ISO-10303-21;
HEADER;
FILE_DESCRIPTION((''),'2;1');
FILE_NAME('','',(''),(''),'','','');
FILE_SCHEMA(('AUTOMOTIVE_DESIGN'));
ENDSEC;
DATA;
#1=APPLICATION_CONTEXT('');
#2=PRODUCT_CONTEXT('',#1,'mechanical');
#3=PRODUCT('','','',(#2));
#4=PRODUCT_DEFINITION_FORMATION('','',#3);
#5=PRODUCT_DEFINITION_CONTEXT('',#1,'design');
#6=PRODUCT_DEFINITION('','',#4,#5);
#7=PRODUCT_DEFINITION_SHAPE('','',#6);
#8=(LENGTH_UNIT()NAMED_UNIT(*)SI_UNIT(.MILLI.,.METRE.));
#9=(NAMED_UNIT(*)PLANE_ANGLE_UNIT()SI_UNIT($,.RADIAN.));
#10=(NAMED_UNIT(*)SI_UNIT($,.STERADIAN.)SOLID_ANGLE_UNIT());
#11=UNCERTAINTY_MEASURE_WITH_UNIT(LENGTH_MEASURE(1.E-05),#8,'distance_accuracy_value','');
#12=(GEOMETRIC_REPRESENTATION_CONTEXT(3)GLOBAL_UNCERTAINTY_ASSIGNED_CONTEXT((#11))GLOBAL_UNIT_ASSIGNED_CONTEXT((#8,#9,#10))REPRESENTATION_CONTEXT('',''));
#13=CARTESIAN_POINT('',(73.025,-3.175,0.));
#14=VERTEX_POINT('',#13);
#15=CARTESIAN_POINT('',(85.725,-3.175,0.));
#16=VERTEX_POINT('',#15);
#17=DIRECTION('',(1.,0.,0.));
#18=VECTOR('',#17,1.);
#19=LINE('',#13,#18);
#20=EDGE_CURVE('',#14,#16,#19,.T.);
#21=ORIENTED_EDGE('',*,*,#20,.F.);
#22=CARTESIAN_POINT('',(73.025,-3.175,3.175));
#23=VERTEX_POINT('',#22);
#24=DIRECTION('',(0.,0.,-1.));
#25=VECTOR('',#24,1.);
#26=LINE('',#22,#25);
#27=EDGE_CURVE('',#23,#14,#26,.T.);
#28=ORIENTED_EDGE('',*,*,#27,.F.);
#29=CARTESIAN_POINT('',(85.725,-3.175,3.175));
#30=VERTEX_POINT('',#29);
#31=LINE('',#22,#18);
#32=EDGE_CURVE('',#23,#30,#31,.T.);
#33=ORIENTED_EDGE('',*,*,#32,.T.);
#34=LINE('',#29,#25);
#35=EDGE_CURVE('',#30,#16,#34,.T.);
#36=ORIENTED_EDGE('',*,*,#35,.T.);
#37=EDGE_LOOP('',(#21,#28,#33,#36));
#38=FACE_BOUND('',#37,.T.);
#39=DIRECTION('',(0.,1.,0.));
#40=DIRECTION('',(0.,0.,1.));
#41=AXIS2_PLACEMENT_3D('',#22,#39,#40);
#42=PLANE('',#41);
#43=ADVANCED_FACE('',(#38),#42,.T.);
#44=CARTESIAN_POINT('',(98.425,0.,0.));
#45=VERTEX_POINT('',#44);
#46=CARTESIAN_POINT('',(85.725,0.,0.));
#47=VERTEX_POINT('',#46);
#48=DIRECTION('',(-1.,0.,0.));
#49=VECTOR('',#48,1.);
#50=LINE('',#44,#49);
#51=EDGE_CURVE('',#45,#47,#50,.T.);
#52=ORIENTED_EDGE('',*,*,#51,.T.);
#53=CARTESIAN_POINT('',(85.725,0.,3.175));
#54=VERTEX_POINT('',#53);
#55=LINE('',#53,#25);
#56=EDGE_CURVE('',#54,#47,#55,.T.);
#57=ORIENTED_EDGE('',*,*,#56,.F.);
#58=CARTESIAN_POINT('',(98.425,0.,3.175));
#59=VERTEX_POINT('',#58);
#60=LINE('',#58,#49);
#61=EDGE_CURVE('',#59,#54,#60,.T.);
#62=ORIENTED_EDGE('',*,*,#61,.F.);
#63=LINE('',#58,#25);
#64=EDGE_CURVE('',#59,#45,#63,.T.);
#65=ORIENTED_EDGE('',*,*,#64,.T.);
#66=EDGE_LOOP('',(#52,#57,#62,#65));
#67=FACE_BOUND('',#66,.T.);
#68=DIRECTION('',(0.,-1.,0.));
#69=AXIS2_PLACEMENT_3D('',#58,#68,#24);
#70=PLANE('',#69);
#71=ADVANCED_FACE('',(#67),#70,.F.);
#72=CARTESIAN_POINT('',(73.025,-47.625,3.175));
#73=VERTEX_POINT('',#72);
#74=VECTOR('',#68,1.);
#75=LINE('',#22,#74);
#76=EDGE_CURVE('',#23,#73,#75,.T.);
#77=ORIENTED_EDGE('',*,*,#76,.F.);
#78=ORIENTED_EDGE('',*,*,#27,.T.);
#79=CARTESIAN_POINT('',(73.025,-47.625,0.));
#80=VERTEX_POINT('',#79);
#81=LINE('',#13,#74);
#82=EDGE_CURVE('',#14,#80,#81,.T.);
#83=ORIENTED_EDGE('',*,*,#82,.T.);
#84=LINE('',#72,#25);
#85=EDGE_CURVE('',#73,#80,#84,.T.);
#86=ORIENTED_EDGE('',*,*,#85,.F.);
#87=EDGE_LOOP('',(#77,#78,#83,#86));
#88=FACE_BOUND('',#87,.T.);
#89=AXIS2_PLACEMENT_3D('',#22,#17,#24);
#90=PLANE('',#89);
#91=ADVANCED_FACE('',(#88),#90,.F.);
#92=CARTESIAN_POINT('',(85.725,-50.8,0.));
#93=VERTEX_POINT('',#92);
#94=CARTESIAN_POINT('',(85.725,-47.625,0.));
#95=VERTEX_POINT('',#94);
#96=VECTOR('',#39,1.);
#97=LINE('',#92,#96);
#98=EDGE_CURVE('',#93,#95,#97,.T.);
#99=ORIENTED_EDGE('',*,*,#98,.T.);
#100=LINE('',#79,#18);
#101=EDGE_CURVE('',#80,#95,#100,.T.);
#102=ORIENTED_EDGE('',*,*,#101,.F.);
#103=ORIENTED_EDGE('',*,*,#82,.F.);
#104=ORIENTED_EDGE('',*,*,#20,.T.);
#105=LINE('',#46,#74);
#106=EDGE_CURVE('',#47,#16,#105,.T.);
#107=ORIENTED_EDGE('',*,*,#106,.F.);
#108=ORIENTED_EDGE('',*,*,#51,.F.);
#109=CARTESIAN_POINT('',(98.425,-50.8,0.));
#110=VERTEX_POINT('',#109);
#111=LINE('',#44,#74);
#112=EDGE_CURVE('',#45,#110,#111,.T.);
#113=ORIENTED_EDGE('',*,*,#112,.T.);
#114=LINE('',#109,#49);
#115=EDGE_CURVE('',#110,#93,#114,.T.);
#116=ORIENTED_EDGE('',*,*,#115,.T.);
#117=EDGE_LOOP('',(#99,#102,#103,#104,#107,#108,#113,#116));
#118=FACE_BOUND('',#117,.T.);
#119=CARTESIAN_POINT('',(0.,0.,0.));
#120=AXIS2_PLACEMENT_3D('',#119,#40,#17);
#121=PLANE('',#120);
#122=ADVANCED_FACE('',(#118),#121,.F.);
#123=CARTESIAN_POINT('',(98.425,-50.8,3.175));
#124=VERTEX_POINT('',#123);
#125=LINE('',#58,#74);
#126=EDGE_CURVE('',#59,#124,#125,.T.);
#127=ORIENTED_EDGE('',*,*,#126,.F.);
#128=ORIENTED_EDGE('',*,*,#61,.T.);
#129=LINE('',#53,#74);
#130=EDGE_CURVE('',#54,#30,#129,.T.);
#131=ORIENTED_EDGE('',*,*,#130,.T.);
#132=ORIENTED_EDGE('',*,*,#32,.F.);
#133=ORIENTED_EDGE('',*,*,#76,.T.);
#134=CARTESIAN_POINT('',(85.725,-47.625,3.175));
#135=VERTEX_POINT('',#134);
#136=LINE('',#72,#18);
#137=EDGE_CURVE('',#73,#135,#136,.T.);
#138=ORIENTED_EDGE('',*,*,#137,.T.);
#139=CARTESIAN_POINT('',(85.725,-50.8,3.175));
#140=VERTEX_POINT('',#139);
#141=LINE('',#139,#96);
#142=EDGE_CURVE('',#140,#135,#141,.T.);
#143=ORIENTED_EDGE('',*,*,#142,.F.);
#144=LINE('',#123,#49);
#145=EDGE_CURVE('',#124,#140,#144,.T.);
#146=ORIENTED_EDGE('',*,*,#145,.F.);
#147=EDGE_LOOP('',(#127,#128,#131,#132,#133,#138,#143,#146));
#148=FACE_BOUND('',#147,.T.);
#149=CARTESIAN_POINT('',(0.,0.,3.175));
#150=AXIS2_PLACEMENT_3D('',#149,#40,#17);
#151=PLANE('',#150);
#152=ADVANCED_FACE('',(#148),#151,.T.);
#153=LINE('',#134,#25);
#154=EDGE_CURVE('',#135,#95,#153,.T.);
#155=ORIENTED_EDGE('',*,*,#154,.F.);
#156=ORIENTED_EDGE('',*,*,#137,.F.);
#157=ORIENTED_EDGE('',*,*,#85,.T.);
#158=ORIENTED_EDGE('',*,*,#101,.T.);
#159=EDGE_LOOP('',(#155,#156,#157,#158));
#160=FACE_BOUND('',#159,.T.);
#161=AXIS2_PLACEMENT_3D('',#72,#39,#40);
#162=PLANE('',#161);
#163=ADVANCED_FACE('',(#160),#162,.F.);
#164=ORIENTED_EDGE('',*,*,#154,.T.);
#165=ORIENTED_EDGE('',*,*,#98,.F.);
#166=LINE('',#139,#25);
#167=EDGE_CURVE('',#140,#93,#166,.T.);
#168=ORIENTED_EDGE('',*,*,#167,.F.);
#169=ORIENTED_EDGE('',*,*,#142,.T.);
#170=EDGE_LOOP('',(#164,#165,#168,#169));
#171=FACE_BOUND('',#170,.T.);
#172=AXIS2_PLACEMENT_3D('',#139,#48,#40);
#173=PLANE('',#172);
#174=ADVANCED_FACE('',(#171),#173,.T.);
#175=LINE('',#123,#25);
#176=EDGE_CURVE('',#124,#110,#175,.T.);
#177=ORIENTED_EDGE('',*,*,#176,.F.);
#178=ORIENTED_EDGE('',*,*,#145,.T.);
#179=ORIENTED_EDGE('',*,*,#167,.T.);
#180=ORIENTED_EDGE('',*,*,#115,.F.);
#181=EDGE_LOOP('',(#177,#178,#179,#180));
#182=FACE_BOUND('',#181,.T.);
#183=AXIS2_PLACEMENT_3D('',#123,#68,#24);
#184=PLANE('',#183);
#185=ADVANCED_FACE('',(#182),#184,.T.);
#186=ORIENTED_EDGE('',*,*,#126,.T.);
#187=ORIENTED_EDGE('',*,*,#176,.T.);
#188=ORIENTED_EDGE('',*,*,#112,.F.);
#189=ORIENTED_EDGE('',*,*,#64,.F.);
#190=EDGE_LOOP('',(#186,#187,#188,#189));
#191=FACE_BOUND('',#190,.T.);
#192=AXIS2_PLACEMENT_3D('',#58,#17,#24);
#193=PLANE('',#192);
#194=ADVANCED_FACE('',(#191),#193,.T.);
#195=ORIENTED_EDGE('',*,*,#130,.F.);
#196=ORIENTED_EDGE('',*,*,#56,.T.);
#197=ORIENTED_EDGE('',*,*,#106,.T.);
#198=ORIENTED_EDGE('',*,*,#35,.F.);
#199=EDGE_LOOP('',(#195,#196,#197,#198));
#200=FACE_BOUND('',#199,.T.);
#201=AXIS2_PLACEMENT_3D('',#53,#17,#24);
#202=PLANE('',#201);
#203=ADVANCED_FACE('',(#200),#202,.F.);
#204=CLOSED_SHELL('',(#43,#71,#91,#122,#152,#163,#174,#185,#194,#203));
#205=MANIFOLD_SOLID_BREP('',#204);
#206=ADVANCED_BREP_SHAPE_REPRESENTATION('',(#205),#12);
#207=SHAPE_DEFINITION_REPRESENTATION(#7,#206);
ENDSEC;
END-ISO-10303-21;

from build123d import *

# Parameters (mm, degrees)
BOSS_EXTRUDE1_DEPTH = 3.175


with BuildPart() as part:
    # Sketch1 → Boss-Extrude1 (new body)
    with BuildSketch(Plane.XY):
        Polygon((98.425, 0), (85.725, 0), (85.725, -3.175), (73.025, -3.175), (73.025, -47.625), (85.725, -47.625), (85.725, -50.8), (98.425, -50.8), align=None)
    extrude(amount=BOSS_EXTRUDE1_DEPTH)


solid = part.part
